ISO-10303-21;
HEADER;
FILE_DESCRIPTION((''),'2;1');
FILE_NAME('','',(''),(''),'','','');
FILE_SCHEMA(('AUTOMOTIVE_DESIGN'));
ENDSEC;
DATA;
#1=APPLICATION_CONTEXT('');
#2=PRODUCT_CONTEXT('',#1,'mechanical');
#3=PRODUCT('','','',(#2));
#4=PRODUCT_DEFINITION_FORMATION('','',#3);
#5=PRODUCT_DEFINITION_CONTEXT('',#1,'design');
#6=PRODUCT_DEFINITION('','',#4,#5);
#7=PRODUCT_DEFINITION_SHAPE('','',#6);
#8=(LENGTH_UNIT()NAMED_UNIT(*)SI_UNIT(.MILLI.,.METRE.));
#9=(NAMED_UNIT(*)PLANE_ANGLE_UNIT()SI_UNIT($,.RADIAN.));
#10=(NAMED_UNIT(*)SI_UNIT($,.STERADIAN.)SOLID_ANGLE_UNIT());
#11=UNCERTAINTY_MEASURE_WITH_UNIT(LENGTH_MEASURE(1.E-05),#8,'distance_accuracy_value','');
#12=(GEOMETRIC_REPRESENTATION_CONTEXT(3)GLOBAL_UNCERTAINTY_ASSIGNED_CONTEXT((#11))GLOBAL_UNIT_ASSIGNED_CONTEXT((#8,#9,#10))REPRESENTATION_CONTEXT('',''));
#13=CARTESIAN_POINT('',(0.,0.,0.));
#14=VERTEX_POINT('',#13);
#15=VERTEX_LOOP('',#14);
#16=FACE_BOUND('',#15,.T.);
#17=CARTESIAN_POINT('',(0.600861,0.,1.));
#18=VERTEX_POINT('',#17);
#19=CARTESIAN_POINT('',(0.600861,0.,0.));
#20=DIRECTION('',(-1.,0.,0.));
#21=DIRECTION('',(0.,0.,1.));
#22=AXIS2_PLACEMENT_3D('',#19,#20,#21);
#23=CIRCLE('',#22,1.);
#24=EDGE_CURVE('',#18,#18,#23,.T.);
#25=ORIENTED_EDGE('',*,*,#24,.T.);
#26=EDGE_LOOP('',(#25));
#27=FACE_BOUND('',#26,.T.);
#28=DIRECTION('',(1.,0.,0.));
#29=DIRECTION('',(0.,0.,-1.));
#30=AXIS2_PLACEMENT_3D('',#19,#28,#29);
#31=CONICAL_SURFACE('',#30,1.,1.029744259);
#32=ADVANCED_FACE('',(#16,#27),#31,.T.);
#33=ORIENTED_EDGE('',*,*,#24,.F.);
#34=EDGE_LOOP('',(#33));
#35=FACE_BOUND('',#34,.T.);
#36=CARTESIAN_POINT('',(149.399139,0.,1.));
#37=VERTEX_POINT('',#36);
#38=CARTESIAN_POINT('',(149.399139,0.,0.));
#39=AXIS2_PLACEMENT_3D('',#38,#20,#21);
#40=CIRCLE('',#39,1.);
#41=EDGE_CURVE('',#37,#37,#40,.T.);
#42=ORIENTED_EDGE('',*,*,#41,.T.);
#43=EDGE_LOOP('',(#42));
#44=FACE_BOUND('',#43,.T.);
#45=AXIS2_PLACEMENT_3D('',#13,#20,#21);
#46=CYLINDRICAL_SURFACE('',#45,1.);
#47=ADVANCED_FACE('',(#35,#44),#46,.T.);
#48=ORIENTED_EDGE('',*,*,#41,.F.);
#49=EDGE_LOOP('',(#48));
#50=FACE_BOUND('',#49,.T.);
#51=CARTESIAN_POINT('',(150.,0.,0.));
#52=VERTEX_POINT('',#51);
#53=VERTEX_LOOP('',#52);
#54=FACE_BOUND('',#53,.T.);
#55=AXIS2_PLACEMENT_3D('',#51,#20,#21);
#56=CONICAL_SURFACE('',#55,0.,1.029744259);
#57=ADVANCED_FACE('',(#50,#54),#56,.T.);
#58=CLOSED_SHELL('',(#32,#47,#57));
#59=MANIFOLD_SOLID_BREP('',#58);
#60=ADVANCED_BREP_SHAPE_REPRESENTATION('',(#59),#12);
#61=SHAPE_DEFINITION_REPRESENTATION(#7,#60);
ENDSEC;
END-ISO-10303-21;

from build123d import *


with BuildPart() as part:
    # Sketch15 → Revolve1 (revolve)
    with BuildSketch(Plane(origin=(0, 0, 0), x_dir=(1, 0, 0), z_dir=(0, 1, 0)), mode=Mode.PRIVATE) as revolve1_sk:
        Polygon((0, 0), (0.600860619, 1), (149.399139381, 1), (150, 0), align=None)
    revolve(revolve1_sk.sketch.rotate(Axis((0, 0, 0), (1, 0, 0)), 180), axis=Axis((0, 0, 0), (1, 0, 0)))


solid = part.part
